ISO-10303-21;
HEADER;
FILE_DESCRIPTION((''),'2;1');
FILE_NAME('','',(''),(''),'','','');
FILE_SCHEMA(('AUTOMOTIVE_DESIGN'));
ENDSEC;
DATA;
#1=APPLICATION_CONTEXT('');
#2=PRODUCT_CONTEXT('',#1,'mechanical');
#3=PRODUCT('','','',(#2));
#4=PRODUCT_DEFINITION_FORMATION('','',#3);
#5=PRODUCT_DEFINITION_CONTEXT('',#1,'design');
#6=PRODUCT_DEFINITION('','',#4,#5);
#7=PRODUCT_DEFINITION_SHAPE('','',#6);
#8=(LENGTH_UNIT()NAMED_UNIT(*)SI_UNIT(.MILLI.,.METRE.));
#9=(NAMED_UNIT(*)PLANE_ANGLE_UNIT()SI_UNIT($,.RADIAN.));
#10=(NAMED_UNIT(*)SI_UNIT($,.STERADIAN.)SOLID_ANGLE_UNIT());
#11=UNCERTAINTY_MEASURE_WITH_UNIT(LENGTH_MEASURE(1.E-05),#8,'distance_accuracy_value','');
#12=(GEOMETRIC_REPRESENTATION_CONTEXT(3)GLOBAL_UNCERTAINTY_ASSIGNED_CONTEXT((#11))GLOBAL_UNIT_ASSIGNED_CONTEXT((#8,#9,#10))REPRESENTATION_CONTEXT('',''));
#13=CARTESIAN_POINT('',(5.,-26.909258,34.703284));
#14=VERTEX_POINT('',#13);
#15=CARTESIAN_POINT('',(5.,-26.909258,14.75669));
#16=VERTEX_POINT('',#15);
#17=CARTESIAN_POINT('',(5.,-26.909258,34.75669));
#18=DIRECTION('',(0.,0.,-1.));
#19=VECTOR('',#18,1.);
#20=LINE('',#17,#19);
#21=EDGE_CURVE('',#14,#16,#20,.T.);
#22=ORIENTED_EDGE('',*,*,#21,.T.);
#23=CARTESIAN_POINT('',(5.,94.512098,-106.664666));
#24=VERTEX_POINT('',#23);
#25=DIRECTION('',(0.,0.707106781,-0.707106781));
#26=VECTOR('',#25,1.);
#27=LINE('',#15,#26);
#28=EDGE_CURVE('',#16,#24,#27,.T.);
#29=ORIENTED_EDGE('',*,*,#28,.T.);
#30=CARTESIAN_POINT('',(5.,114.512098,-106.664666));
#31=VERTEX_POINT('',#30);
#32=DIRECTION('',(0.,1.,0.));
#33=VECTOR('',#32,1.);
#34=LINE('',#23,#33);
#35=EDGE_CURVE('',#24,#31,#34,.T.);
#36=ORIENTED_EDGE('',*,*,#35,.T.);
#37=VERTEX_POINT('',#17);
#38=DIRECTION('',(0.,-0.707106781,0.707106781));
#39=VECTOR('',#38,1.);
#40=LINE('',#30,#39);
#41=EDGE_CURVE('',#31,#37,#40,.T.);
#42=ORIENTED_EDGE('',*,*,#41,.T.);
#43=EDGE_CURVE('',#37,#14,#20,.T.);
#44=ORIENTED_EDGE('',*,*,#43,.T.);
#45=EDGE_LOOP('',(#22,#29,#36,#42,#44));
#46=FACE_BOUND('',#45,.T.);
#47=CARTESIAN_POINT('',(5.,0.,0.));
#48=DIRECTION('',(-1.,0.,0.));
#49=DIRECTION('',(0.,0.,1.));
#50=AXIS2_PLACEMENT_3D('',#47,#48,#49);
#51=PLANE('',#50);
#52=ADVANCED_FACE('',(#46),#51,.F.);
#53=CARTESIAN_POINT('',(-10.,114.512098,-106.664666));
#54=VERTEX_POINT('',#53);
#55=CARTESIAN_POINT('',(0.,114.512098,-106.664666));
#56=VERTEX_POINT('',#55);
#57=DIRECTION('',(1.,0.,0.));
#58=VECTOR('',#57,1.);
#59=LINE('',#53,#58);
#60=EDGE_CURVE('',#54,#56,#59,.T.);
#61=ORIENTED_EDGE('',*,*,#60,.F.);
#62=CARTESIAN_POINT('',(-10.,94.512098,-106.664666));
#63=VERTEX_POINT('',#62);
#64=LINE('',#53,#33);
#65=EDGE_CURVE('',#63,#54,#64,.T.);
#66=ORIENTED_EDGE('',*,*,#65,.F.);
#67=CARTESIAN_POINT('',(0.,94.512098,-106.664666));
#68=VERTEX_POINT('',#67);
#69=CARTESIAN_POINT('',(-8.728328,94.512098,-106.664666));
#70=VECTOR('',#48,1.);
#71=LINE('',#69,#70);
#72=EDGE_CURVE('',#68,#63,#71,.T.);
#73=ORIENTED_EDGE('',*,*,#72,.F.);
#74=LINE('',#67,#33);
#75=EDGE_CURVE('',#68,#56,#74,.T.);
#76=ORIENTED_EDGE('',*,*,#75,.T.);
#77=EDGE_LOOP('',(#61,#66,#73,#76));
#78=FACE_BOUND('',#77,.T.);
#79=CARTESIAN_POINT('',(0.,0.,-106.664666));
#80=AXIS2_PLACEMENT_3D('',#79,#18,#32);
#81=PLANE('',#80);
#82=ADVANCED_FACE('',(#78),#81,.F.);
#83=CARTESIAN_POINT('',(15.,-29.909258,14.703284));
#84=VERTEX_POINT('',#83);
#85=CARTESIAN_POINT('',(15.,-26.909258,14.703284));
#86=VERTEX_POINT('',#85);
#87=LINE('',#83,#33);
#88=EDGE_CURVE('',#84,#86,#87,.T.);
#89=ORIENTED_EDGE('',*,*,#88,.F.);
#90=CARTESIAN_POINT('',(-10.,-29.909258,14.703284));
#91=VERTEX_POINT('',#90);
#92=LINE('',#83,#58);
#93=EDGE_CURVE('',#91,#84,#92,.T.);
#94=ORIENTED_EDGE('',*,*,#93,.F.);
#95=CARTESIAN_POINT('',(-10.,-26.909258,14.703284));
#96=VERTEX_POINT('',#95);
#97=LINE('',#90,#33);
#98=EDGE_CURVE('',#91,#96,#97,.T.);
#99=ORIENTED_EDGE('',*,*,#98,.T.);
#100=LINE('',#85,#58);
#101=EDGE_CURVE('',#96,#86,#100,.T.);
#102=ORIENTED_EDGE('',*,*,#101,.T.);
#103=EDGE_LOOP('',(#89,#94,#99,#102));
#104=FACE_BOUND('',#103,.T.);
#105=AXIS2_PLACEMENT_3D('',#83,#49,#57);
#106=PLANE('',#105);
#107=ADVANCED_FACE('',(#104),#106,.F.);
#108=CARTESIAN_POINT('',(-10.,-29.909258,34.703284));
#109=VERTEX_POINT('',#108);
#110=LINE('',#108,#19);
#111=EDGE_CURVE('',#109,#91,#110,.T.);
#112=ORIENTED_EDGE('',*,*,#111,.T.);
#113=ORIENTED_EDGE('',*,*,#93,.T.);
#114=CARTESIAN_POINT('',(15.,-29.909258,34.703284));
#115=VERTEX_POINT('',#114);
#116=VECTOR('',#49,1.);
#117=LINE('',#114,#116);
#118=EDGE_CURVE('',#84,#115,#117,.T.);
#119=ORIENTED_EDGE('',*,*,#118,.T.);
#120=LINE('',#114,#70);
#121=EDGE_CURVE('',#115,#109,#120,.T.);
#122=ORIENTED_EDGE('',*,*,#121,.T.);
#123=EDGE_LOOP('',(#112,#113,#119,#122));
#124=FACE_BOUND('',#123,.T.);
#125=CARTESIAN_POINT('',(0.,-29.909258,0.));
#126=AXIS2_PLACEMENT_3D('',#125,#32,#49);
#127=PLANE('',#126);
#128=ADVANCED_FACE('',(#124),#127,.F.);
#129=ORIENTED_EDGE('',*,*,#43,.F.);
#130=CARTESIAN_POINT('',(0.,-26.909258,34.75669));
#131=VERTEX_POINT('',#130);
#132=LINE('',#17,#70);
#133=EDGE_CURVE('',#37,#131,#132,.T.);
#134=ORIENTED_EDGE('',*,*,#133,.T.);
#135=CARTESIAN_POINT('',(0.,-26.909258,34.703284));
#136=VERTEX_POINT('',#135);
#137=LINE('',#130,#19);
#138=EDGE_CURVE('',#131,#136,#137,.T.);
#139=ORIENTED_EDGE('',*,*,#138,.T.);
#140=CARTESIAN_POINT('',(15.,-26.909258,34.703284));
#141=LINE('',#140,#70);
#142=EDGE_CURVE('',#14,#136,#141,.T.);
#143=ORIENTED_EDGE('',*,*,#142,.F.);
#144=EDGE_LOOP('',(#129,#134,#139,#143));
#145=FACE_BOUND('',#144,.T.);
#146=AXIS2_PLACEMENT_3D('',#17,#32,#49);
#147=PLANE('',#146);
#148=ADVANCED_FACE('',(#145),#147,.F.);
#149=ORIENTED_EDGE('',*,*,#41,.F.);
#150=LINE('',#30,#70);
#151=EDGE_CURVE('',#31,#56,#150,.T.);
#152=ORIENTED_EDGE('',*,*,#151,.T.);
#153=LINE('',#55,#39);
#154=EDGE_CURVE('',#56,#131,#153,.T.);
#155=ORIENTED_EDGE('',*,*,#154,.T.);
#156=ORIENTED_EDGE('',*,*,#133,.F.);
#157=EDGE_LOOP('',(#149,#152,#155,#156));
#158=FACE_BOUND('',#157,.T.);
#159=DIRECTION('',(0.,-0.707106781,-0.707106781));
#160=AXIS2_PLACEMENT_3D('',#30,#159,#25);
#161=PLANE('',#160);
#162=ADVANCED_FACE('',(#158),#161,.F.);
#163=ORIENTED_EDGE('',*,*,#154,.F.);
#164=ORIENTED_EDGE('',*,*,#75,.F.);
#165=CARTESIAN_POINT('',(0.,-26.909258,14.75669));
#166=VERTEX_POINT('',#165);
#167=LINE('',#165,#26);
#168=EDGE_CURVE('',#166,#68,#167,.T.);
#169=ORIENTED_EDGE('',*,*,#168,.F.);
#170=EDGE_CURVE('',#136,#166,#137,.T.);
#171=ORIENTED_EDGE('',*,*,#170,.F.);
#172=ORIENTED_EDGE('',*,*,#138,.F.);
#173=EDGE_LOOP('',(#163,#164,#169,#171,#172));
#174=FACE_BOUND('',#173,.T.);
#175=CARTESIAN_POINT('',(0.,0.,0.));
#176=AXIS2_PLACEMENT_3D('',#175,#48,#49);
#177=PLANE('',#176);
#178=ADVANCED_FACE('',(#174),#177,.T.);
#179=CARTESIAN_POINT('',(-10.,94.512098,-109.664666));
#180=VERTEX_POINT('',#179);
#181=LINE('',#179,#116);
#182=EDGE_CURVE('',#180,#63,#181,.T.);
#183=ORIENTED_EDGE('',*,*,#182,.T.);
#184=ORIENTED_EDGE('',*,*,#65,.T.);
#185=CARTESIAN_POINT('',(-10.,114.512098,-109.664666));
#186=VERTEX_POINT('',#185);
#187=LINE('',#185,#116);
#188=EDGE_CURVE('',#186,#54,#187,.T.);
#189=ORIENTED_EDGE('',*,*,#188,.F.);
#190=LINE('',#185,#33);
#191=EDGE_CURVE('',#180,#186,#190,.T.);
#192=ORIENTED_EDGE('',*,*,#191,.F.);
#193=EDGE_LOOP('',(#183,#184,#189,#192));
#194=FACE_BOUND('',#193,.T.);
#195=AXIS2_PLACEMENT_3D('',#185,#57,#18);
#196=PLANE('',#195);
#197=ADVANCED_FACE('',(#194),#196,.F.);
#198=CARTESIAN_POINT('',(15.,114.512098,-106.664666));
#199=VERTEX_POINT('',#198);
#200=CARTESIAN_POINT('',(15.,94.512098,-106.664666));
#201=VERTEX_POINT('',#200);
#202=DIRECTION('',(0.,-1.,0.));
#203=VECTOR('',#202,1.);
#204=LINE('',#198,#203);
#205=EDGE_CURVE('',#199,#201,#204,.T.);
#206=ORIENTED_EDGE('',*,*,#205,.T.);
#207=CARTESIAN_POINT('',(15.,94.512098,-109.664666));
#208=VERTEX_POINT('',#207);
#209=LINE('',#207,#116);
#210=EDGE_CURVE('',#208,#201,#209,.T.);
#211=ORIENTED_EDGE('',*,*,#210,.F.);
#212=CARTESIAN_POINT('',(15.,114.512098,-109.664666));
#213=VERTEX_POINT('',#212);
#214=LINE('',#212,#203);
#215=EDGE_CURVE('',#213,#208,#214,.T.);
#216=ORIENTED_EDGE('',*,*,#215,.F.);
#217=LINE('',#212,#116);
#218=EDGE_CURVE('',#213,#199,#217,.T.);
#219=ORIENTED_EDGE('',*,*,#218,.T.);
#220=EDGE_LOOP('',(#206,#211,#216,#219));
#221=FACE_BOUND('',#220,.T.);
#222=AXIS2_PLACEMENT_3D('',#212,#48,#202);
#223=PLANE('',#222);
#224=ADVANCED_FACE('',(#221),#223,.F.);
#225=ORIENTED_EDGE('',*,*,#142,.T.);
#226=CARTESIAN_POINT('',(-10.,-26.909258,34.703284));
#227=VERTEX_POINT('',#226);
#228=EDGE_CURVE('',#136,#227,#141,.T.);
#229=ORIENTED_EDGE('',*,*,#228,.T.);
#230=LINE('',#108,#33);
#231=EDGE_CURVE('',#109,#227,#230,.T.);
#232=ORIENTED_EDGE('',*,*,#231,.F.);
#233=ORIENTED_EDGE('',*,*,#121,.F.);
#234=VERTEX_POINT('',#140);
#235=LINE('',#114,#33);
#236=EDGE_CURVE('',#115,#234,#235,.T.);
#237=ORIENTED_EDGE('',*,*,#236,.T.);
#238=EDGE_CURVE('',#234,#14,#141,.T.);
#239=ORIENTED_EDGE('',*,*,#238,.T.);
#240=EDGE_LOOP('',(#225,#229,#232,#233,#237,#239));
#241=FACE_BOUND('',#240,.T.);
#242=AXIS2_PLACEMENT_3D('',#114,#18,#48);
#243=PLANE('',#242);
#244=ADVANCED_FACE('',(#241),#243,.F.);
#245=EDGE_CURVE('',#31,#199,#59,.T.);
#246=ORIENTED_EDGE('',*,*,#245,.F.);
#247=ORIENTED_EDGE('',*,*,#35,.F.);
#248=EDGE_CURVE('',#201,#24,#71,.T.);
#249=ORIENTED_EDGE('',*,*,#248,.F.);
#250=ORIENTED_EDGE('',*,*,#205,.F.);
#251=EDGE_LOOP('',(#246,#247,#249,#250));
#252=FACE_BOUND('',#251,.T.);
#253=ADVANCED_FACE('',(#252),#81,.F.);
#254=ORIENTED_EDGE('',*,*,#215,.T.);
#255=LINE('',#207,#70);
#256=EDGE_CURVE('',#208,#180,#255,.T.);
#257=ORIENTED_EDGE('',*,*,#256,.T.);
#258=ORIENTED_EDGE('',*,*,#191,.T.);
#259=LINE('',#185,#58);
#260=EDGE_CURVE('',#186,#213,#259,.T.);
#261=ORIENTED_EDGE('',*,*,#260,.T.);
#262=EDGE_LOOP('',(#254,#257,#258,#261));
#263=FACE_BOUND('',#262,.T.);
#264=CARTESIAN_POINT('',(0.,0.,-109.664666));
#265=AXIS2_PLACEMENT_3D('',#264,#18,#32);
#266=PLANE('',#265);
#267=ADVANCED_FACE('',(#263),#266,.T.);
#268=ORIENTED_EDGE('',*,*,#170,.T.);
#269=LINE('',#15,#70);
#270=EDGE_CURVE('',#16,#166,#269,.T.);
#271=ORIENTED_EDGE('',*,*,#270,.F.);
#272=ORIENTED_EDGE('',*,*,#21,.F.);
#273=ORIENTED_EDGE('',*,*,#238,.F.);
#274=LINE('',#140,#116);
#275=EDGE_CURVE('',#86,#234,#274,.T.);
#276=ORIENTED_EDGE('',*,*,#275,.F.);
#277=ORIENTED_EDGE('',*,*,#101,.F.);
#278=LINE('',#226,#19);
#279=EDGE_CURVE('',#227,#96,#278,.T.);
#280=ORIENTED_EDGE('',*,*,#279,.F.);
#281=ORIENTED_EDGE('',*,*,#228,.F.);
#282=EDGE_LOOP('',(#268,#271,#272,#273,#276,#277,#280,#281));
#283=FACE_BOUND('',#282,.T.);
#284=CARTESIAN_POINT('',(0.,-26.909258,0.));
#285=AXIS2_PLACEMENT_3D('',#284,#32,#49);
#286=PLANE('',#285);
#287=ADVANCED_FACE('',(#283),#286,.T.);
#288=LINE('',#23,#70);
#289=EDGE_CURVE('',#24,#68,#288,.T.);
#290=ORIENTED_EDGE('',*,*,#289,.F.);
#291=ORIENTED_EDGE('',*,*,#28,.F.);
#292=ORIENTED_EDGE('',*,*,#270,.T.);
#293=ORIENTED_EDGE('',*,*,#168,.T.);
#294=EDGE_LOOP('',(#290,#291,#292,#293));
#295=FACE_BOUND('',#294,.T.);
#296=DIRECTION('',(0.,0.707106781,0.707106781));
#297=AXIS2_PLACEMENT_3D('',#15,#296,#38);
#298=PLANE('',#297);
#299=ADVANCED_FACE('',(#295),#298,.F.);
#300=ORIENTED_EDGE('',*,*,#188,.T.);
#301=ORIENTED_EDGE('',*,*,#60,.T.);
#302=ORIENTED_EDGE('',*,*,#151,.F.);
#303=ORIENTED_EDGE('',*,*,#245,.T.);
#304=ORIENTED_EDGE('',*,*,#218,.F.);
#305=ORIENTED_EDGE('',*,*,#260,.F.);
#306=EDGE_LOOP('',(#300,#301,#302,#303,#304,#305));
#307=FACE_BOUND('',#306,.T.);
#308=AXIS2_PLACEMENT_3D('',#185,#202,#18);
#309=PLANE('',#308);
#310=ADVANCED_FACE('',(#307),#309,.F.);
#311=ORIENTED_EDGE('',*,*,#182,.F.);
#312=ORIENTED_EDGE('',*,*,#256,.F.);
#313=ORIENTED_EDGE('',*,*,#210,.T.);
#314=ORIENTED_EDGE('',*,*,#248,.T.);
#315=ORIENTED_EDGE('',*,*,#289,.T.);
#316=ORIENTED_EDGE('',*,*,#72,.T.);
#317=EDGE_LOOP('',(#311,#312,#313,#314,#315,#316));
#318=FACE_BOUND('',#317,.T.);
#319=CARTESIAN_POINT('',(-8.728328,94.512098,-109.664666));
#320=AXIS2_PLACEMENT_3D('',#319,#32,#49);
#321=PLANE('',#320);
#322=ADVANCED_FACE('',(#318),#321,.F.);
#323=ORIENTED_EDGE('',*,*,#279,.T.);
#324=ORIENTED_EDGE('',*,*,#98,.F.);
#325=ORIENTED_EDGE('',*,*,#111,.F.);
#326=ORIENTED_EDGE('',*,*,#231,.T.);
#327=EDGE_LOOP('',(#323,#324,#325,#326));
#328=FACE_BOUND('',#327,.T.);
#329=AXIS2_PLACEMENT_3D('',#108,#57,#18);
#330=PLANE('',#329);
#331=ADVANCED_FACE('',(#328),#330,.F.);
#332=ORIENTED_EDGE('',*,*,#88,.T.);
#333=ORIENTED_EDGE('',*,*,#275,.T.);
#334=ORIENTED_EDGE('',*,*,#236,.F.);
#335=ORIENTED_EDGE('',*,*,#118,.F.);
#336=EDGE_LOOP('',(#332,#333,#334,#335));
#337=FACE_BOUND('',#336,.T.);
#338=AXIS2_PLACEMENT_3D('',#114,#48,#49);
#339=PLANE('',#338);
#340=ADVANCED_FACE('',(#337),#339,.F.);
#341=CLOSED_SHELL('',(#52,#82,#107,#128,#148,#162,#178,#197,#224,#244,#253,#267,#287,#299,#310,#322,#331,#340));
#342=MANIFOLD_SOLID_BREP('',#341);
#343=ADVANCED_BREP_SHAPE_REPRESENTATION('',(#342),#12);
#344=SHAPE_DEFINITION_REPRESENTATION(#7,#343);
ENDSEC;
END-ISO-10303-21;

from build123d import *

# Parameters (mm, degrees)
BOSS_EXTRUDE1_DEPTH = 5
SKETCH2_W           = 25
SKETCH2_H           = 20
BOSS_EXTRUDE2_DEPTH = 3
BOSS_EXTRUDE3_DEPTH = 3


with BuildPart() as part:
    # Sketch1 → Boss-Extrude1 (new body)
    with BuildSketch(Plane(origin=(0, 0, 0), x_dir=(0, 0, -1), z_dir=(1, 0, 0))):
        Polygon((106.664666231, 114.512097991), (-34.756690006, -26.909258246), (-14.756690006, -26.909258246), (106.664666231, 94.512097991), align=None)
    extrude(amount=BOSS_EXTRUDE1_DEPTH)

    # Sketch2 → Boss-Extrude2 (add)
    with BuildSketch(Plane.XZ.offset(26.909258246)):
        with Locations((2.5, 24.703284183)):
            Rectangle(SKETCH2_W, SKETCH2_H)
    extrude(amount=BOSS_EXTRUDE2_DEPTH)

    # Sketch3 → Boss-Extrude3 (add)
    with BuildSketch(Plane(origin=(0, 0, -106.664666231), x_dir=(-1, 0, 0), z_dir=(0, 0, -1))):
        Polygon((8.72832764, 94.512097991), (10, 94.512097991), (10, 114.512097991), (-15, 114.512097991), (-15, 94.512097991), align=None)
    extrude(amount=BOSS_EXTRUDE3_DEPTH)


solid = part.part
